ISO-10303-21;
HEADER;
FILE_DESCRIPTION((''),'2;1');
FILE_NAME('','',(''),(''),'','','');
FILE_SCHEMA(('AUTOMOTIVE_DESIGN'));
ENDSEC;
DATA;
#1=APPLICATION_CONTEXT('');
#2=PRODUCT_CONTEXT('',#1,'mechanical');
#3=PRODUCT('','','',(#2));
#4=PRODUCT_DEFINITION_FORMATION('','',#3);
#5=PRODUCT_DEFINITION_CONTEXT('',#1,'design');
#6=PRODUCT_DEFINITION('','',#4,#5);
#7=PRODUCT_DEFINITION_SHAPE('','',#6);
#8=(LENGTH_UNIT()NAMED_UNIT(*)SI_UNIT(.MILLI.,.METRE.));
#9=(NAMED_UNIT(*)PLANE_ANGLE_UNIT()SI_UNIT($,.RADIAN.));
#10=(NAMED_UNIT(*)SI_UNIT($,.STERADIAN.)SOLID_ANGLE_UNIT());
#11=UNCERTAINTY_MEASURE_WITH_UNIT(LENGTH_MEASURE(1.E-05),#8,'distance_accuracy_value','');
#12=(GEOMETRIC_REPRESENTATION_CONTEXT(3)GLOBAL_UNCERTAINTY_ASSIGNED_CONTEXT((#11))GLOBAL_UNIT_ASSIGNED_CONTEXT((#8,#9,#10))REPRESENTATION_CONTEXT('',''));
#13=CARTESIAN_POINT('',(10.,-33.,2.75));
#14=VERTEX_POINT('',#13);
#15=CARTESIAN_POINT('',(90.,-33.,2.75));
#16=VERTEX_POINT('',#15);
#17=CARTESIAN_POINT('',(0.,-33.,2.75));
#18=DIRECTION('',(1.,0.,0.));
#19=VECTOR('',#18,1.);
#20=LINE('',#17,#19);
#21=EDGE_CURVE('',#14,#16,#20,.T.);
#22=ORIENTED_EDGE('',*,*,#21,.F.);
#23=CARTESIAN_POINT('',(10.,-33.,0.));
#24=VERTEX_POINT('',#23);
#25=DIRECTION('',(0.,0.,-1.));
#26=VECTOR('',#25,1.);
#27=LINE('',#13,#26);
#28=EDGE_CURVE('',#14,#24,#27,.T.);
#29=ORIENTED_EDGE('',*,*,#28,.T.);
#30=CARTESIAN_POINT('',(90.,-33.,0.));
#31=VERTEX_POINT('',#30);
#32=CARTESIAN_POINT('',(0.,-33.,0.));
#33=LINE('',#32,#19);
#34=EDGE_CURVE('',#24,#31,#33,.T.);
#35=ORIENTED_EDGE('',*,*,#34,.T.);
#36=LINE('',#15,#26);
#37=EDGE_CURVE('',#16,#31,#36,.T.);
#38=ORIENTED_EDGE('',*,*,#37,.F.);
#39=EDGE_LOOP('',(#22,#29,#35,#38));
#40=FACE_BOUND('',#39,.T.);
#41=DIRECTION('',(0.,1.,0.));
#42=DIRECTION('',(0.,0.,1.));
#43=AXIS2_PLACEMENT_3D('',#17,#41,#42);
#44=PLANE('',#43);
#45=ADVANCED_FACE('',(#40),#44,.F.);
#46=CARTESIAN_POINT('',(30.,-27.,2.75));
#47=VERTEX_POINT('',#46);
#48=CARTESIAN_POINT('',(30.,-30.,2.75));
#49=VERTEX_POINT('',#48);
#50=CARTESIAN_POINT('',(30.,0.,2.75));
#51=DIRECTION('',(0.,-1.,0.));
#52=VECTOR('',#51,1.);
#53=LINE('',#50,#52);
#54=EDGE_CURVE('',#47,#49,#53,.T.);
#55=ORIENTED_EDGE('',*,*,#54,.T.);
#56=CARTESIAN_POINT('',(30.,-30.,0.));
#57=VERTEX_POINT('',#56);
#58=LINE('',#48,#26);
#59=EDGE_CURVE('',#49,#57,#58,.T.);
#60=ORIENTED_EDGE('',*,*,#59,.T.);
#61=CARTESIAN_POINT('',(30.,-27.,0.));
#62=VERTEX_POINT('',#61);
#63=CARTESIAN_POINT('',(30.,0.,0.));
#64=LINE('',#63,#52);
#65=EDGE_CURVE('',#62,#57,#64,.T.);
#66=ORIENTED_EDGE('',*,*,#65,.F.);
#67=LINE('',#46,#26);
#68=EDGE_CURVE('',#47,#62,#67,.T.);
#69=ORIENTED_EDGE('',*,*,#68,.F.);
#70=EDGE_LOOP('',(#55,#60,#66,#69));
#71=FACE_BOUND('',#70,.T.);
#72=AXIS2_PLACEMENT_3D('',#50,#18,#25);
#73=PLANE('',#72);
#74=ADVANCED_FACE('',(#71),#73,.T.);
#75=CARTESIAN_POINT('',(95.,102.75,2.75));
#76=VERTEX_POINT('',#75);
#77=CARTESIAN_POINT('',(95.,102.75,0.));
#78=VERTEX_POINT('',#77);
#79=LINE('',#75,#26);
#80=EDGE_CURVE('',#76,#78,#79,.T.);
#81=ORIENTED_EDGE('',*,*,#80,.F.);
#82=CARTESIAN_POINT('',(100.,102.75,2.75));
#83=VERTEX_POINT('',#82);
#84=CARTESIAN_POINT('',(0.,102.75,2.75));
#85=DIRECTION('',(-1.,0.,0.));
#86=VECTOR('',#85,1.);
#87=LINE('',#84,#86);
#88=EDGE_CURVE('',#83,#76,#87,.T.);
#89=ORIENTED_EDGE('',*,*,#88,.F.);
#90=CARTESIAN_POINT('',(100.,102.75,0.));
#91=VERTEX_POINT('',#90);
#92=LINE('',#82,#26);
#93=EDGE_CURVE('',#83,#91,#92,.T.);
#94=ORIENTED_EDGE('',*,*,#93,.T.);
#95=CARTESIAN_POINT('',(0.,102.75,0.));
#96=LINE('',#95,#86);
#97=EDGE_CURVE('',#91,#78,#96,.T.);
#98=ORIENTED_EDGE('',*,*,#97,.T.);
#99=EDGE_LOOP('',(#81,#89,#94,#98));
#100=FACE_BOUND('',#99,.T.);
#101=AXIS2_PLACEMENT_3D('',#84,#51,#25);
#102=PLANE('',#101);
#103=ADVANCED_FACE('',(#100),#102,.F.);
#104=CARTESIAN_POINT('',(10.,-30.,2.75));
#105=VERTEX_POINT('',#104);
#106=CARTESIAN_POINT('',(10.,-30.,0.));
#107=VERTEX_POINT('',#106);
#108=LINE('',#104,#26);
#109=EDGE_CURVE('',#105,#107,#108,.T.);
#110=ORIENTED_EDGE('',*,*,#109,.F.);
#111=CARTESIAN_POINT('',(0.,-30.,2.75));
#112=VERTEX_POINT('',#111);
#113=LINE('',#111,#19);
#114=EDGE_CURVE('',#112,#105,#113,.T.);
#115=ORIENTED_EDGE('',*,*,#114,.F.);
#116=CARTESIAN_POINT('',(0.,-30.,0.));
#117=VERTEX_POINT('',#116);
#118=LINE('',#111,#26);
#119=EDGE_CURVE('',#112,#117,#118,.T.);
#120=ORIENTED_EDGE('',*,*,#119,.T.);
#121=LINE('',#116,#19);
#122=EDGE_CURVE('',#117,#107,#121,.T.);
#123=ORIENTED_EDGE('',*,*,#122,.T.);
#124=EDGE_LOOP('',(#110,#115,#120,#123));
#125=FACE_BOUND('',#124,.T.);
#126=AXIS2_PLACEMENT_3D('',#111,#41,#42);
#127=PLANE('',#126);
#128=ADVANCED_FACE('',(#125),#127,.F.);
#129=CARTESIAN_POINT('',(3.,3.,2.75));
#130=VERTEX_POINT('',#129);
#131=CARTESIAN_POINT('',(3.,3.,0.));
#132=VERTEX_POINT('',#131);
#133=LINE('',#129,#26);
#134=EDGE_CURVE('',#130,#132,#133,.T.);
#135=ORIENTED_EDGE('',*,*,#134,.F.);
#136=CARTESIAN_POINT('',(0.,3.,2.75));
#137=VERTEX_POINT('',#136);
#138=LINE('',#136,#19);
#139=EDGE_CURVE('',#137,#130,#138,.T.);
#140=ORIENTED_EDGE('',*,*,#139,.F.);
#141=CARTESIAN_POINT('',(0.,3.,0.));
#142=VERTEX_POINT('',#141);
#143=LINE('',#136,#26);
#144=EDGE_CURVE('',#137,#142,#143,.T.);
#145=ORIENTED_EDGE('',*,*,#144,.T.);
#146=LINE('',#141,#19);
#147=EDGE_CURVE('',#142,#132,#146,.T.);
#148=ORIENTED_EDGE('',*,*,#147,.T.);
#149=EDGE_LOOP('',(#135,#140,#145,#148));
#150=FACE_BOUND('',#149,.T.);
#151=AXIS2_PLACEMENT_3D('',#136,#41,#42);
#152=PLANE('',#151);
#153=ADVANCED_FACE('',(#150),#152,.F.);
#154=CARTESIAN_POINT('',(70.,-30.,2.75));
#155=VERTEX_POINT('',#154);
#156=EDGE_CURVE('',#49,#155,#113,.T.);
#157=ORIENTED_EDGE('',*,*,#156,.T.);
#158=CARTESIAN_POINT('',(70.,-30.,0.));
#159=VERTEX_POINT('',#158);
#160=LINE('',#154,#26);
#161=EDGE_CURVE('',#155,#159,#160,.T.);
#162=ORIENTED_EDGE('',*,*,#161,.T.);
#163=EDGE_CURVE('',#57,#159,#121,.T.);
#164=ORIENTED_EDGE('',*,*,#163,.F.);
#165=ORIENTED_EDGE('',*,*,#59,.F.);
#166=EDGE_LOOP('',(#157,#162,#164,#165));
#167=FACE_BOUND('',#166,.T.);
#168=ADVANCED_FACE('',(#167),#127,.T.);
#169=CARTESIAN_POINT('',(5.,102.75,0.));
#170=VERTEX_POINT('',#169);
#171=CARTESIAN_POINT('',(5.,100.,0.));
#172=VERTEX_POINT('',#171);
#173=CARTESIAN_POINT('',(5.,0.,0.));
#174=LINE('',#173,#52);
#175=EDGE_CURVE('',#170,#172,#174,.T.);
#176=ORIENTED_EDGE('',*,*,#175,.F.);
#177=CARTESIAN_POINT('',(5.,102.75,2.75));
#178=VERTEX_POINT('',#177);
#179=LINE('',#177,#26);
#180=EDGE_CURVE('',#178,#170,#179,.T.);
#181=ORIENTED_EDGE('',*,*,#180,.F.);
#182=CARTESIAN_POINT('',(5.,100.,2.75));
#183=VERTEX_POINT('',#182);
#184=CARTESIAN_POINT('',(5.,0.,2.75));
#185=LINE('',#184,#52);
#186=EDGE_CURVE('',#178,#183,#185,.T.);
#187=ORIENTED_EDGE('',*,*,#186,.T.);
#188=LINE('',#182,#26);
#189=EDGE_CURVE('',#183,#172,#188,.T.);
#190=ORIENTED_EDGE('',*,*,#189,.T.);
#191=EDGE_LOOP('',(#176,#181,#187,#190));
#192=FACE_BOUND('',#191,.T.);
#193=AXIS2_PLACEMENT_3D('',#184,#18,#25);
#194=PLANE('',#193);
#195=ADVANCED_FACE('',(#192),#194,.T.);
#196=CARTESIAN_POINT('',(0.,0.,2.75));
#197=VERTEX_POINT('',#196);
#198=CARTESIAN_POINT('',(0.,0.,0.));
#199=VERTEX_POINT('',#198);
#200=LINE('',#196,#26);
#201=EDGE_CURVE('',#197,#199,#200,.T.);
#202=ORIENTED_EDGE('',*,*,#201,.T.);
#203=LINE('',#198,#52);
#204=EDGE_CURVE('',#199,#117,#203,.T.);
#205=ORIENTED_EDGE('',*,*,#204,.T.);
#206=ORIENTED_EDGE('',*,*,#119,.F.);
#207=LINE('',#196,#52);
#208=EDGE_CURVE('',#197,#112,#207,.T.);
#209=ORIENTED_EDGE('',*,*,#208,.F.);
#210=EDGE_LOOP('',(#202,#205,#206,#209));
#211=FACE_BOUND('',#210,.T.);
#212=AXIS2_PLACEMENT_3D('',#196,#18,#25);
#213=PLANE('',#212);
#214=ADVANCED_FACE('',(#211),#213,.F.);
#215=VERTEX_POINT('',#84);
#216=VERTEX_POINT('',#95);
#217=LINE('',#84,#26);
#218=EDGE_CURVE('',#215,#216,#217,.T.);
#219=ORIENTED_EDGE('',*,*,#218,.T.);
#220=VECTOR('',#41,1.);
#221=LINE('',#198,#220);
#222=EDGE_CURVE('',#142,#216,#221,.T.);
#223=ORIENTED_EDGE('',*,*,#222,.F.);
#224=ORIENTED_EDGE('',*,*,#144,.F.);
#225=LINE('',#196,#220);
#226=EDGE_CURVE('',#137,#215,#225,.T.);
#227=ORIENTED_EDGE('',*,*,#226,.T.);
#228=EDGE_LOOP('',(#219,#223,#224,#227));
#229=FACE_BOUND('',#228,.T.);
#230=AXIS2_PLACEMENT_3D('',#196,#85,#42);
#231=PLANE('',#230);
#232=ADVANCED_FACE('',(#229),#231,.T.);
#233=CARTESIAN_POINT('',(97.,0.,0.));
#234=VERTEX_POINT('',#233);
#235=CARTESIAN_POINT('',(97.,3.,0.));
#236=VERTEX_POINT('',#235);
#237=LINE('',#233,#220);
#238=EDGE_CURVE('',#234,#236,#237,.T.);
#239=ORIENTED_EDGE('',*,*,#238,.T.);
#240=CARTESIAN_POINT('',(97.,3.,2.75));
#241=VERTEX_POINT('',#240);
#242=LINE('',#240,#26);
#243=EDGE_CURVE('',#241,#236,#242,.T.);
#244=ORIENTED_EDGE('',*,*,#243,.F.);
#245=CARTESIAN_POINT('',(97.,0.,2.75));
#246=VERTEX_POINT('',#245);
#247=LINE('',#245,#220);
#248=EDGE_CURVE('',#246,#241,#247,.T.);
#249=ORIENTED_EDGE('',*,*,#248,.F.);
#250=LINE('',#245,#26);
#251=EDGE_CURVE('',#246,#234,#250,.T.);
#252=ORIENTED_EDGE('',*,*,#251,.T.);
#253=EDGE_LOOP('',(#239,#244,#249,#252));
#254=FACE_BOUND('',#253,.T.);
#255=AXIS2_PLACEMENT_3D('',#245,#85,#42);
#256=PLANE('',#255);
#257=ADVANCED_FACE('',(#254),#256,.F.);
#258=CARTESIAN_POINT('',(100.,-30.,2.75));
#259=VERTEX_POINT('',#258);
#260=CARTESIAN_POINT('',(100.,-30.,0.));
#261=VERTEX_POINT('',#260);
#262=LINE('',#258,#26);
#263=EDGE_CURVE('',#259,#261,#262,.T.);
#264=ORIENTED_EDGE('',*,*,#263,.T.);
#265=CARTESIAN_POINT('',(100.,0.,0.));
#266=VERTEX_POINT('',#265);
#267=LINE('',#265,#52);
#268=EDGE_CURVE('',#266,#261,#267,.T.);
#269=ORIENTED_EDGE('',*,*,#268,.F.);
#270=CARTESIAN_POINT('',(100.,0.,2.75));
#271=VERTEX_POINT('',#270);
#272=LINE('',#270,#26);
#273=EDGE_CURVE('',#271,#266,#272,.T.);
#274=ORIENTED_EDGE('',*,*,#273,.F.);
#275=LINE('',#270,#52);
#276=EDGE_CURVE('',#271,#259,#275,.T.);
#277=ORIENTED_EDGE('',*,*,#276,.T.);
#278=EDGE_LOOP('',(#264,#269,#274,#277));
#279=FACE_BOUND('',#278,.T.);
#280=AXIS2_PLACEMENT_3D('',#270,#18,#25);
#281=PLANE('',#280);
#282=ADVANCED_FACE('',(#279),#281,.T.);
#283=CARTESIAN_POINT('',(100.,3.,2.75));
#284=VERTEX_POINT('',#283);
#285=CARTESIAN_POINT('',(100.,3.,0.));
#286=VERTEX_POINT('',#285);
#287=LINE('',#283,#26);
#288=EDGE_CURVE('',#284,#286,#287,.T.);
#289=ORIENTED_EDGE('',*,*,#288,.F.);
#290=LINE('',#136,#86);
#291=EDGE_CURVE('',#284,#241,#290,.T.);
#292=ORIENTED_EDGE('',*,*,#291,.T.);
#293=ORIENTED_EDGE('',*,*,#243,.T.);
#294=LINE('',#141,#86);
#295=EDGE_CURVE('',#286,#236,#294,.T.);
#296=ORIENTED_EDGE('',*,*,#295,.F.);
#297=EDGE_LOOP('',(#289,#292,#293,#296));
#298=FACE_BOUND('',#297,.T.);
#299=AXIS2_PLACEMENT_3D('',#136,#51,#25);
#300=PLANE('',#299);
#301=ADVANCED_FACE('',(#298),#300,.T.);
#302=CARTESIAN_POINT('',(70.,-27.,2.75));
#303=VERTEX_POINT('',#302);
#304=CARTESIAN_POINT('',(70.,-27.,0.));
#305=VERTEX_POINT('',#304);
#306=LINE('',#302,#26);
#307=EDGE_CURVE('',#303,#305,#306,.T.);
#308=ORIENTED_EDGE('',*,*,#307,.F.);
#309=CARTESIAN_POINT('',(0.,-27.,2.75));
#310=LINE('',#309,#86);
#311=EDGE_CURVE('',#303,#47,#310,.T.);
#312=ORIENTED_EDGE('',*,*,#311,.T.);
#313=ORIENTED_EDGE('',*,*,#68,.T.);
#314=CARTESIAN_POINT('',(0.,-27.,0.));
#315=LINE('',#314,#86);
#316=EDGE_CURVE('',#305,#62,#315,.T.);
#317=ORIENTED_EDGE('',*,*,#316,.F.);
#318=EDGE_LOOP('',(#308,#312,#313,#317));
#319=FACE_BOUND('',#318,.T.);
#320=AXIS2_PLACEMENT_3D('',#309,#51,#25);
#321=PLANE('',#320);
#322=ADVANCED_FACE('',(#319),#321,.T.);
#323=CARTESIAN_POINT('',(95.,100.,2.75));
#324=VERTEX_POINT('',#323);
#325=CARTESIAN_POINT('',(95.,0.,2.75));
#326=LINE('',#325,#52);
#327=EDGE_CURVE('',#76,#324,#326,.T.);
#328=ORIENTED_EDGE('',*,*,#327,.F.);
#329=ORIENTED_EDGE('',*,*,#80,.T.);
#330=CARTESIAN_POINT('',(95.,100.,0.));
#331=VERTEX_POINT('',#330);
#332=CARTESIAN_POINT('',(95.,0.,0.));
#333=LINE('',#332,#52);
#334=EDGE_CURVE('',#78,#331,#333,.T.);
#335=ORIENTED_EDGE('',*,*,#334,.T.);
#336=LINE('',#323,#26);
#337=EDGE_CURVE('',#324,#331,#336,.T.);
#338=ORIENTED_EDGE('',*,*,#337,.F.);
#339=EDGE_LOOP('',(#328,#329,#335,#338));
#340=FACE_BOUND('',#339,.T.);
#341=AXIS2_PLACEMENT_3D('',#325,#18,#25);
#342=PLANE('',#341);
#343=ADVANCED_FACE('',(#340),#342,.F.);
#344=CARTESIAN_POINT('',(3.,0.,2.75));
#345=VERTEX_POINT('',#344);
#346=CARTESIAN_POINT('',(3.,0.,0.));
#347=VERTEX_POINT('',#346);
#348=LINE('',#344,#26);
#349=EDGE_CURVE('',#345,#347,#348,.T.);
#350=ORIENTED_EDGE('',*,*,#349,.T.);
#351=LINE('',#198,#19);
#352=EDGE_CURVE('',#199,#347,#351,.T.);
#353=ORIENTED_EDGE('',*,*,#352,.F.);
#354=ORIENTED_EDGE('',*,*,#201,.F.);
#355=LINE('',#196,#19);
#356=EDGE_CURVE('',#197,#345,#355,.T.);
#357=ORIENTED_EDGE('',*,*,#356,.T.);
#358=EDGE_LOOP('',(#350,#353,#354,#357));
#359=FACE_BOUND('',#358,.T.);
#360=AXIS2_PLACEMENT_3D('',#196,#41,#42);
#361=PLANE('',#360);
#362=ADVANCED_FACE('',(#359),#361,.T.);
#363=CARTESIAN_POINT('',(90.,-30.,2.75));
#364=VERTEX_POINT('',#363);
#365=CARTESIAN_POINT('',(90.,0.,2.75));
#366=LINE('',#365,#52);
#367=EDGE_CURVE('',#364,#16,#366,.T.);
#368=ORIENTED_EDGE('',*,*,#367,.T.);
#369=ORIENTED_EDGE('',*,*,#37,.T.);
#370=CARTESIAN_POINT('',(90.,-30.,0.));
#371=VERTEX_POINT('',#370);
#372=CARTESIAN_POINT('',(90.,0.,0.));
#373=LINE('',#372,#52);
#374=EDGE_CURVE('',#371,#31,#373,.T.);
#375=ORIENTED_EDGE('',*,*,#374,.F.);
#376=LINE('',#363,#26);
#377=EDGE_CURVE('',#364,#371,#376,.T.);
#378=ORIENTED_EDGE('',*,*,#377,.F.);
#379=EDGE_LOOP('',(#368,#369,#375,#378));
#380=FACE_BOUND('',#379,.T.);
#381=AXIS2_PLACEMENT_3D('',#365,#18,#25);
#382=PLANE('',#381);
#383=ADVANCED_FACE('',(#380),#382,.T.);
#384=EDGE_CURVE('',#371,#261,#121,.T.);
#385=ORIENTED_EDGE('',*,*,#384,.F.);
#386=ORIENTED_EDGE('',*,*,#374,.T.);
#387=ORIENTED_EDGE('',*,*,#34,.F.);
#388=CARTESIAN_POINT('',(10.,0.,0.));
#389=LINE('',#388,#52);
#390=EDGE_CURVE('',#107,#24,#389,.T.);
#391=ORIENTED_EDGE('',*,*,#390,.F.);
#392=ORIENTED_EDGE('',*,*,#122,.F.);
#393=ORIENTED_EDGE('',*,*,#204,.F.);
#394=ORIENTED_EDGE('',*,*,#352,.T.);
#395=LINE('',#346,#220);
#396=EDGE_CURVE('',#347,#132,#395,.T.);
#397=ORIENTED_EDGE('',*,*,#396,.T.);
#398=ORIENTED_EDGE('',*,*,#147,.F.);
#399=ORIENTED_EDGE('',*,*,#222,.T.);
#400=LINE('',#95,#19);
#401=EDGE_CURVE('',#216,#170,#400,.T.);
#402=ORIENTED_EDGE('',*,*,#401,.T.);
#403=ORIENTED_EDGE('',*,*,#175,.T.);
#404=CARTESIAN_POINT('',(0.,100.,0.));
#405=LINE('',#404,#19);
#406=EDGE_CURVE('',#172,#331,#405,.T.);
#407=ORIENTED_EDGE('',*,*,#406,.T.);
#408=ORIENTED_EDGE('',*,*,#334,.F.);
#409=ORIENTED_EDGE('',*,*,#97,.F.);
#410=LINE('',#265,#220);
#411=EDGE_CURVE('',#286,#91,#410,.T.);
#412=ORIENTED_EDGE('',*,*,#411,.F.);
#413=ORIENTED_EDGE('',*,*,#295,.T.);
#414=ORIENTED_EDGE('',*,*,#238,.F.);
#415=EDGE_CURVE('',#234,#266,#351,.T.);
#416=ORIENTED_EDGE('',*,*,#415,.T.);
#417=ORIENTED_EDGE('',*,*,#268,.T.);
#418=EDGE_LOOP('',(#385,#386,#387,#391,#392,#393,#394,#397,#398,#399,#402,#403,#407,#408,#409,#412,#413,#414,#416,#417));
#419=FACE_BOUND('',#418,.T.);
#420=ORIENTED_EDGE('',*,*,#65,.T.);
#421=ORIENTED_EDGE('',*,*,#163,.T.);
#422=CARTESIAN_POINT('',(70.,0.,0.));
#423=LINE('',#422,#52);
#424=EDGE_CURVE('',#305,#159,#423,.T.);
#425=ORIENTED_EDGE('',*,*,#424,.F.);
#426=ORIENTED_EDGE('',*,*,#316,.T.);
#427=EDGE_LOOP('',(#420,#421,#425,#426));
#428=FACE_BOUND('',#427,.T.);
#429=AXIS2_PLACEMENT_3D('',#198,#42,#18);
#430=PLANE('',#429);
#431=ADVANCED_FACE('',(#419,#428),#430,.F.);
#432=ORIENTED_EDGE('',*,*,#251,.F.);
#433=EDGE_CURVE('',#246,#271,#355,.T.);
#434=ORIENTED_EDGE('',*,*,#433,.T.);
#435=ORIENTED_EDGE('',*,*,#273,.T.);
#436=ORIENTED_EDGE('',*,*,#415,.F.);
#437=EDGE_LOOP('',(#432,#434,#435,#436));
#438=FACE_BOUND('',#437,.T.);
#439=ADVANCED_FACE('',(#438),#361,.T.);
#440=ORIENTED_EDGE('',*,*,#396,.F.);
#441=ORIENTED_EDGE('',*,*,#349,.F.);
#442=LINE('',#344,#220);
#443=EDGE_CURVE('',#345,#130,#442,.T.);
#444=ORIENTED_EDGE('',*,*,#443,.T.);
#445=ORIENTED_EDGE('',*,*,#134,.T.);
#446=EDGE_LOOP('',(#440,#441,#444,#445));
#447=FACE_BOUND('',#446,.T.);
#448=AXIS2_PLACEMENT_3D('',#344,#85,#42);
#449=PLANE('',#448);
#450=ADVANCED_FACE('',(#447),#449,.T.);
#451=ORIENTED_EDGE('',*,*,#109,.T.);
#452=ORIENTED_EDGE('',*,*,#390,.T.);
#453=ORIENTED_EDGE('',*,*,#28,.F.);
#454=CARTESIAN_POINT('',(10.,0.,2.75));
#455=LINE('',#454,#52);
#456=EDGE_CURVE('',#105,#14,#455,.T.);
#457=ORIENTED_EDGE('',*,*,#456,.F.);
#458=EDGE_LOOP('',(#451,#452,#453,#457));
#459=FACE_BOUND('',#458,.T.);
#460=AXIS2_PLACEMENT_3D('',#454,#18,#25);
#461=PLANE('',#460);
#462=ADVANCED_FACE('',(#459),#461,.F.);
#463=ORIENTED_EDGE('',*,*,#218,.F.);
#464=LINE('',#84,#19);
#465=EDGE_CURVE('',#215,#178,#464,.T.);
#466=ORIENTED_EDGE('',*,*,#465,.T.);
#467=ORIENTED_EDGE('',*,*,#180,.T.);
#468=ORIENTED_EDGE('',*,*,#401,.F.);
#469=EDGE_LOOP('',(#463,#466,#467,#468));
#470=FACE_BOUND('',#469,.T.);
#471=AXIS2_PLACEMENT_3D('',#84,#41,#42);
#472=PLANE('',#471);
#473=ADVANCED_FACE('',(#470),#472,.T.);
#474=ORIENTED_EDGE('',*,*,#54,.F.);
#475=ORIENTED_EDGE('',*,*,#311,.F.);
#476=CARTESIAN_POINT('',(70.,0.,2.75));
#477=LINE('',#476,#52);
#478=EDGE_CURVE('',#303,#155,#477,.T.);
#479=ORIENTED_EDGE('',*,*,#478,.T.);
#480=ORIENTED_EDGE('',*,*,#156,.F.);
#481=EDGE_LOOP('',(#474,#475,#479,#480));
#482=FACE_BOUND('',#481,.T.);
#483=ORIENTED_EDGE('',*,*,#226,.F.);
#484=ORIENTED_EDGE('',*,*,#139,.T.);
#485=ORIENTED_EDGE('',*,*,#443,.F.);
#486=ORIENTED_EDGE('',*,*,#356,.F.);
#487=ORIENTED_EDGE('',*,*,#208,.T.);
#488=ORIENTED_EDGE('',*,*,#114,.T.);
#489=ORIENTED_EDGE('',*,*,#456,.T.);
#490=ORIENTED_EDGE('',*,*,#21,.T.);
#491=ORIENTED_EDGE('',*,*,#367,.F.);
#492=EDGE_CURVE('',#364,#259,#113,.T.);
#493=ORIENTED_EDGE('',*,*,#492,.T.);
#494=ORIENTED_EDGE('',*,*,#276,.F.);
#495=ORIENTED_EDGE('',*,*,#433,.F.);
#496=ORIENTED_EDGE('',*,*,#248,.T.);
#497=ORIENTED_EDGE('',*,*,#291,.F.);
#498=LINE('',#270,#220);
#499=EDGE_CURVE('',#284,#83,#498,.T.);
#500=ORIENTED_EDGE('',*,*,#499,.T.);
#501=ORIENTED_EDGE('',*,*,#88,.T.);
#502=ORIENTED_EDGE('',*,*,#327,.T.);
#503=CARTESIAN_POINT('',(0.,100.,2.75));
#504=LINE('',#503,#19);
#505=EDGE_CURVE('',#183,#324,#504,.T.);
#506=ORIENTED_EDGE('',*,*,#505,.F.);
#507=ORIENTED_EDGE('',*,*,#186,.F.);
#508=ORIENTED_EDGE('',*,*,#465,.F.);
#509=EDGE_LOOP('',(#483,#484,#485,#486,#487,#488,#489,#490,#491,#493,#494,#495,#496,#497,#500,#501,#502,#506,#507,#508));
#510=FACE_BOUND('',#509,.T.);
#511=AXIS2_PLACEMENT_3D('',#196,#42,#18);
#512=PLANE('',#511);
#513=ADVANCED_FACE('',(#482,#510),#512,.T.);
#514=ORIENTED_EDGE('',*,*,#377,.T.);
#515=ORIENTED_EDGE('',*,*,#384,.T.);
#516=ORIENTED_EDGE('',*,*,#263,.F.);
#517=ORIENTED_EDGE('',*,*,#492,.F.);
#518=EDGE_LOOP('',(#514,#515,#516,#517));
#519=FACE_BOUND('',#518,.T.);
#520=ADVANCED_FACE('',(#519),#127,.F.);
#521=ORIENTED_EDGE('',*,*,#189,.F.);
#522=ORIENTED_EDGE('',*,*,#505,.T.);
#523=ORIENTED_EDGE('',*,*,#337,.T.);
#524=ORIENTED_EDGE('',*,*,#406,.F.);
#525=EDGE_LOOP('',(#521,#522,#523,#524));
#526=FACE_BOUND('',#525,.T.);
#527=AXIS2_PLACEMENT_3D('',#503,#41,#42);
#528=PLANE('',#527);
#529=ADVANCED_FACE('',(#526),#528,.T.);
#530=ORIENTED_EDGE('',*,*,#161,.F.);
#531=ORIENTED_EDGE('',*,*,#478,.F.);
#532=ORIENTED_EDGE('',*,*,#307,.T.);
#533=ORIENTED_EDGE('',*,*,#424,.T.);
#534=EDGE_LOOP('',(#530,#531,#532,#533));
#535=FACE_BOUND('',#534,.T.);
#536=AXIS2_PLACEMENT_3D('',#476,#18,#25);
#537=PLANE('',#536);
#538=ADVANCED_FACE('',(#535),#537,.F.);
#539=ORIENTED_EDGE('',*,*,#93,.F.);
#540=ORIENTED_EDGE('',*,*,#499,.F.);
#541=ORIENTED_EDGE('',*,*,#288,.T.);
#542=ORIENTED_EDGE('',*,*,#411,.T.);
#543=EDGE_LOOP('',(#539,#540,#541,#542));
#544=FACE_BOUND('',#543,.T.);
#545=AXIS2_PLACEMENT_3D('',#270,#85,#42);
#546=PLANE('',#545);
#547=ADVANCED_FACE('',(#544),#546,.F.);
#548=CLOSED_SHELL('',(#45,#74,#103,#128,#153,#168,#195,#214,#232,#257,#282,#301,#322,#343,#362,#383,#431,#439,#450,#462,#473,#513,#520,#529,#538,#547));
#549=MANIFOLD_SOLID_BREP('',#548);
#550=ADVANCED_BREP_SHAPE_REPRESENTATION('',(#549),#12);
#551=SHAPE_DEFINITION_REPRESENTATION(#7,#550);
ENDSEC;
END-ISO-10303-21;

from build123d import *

# Parameters (mm, degrees)
SKETCH_1_W      = 5
SKETCH_1_H      = 2.75
EXTRUDE_1_DEPTH = 2.75


with BuildPart() as part:
    # 草图1 → 凸台-拉伸1 (new body)
    with BuildSketch(Plane.XY):
        Polygon((95, 100), (100, 100), (100, 102.75), (95, 102.75), (95, 102.449578136), align=None)
        Polygon((3, 3), (3, 0), (97, 0), (97, 3), (100, 3), (100, 100), (95, 100), (5, 100), (0, 100), (0, 3), align=None)
        with Locations((2.5, 101.375)):
            Rectangle(SKETCH_1_W, SKETCH_1_H)
        Polygon((0, 0), (0, -30), (10, -30), (30, -30), (30, -27), (50, -27), (70, -27), (70, -30), (90, -30), (100, -30), (100, 0), (97, 0), (3, 0), align=None)
        Polygon((30, -30), (10, -30), (10, -33), (90, -33), (90, -30), (70, -30), (50, -30), align=None)
    extrude(amount=EXTRUDE_1_DEPTH)


solid = part.part
